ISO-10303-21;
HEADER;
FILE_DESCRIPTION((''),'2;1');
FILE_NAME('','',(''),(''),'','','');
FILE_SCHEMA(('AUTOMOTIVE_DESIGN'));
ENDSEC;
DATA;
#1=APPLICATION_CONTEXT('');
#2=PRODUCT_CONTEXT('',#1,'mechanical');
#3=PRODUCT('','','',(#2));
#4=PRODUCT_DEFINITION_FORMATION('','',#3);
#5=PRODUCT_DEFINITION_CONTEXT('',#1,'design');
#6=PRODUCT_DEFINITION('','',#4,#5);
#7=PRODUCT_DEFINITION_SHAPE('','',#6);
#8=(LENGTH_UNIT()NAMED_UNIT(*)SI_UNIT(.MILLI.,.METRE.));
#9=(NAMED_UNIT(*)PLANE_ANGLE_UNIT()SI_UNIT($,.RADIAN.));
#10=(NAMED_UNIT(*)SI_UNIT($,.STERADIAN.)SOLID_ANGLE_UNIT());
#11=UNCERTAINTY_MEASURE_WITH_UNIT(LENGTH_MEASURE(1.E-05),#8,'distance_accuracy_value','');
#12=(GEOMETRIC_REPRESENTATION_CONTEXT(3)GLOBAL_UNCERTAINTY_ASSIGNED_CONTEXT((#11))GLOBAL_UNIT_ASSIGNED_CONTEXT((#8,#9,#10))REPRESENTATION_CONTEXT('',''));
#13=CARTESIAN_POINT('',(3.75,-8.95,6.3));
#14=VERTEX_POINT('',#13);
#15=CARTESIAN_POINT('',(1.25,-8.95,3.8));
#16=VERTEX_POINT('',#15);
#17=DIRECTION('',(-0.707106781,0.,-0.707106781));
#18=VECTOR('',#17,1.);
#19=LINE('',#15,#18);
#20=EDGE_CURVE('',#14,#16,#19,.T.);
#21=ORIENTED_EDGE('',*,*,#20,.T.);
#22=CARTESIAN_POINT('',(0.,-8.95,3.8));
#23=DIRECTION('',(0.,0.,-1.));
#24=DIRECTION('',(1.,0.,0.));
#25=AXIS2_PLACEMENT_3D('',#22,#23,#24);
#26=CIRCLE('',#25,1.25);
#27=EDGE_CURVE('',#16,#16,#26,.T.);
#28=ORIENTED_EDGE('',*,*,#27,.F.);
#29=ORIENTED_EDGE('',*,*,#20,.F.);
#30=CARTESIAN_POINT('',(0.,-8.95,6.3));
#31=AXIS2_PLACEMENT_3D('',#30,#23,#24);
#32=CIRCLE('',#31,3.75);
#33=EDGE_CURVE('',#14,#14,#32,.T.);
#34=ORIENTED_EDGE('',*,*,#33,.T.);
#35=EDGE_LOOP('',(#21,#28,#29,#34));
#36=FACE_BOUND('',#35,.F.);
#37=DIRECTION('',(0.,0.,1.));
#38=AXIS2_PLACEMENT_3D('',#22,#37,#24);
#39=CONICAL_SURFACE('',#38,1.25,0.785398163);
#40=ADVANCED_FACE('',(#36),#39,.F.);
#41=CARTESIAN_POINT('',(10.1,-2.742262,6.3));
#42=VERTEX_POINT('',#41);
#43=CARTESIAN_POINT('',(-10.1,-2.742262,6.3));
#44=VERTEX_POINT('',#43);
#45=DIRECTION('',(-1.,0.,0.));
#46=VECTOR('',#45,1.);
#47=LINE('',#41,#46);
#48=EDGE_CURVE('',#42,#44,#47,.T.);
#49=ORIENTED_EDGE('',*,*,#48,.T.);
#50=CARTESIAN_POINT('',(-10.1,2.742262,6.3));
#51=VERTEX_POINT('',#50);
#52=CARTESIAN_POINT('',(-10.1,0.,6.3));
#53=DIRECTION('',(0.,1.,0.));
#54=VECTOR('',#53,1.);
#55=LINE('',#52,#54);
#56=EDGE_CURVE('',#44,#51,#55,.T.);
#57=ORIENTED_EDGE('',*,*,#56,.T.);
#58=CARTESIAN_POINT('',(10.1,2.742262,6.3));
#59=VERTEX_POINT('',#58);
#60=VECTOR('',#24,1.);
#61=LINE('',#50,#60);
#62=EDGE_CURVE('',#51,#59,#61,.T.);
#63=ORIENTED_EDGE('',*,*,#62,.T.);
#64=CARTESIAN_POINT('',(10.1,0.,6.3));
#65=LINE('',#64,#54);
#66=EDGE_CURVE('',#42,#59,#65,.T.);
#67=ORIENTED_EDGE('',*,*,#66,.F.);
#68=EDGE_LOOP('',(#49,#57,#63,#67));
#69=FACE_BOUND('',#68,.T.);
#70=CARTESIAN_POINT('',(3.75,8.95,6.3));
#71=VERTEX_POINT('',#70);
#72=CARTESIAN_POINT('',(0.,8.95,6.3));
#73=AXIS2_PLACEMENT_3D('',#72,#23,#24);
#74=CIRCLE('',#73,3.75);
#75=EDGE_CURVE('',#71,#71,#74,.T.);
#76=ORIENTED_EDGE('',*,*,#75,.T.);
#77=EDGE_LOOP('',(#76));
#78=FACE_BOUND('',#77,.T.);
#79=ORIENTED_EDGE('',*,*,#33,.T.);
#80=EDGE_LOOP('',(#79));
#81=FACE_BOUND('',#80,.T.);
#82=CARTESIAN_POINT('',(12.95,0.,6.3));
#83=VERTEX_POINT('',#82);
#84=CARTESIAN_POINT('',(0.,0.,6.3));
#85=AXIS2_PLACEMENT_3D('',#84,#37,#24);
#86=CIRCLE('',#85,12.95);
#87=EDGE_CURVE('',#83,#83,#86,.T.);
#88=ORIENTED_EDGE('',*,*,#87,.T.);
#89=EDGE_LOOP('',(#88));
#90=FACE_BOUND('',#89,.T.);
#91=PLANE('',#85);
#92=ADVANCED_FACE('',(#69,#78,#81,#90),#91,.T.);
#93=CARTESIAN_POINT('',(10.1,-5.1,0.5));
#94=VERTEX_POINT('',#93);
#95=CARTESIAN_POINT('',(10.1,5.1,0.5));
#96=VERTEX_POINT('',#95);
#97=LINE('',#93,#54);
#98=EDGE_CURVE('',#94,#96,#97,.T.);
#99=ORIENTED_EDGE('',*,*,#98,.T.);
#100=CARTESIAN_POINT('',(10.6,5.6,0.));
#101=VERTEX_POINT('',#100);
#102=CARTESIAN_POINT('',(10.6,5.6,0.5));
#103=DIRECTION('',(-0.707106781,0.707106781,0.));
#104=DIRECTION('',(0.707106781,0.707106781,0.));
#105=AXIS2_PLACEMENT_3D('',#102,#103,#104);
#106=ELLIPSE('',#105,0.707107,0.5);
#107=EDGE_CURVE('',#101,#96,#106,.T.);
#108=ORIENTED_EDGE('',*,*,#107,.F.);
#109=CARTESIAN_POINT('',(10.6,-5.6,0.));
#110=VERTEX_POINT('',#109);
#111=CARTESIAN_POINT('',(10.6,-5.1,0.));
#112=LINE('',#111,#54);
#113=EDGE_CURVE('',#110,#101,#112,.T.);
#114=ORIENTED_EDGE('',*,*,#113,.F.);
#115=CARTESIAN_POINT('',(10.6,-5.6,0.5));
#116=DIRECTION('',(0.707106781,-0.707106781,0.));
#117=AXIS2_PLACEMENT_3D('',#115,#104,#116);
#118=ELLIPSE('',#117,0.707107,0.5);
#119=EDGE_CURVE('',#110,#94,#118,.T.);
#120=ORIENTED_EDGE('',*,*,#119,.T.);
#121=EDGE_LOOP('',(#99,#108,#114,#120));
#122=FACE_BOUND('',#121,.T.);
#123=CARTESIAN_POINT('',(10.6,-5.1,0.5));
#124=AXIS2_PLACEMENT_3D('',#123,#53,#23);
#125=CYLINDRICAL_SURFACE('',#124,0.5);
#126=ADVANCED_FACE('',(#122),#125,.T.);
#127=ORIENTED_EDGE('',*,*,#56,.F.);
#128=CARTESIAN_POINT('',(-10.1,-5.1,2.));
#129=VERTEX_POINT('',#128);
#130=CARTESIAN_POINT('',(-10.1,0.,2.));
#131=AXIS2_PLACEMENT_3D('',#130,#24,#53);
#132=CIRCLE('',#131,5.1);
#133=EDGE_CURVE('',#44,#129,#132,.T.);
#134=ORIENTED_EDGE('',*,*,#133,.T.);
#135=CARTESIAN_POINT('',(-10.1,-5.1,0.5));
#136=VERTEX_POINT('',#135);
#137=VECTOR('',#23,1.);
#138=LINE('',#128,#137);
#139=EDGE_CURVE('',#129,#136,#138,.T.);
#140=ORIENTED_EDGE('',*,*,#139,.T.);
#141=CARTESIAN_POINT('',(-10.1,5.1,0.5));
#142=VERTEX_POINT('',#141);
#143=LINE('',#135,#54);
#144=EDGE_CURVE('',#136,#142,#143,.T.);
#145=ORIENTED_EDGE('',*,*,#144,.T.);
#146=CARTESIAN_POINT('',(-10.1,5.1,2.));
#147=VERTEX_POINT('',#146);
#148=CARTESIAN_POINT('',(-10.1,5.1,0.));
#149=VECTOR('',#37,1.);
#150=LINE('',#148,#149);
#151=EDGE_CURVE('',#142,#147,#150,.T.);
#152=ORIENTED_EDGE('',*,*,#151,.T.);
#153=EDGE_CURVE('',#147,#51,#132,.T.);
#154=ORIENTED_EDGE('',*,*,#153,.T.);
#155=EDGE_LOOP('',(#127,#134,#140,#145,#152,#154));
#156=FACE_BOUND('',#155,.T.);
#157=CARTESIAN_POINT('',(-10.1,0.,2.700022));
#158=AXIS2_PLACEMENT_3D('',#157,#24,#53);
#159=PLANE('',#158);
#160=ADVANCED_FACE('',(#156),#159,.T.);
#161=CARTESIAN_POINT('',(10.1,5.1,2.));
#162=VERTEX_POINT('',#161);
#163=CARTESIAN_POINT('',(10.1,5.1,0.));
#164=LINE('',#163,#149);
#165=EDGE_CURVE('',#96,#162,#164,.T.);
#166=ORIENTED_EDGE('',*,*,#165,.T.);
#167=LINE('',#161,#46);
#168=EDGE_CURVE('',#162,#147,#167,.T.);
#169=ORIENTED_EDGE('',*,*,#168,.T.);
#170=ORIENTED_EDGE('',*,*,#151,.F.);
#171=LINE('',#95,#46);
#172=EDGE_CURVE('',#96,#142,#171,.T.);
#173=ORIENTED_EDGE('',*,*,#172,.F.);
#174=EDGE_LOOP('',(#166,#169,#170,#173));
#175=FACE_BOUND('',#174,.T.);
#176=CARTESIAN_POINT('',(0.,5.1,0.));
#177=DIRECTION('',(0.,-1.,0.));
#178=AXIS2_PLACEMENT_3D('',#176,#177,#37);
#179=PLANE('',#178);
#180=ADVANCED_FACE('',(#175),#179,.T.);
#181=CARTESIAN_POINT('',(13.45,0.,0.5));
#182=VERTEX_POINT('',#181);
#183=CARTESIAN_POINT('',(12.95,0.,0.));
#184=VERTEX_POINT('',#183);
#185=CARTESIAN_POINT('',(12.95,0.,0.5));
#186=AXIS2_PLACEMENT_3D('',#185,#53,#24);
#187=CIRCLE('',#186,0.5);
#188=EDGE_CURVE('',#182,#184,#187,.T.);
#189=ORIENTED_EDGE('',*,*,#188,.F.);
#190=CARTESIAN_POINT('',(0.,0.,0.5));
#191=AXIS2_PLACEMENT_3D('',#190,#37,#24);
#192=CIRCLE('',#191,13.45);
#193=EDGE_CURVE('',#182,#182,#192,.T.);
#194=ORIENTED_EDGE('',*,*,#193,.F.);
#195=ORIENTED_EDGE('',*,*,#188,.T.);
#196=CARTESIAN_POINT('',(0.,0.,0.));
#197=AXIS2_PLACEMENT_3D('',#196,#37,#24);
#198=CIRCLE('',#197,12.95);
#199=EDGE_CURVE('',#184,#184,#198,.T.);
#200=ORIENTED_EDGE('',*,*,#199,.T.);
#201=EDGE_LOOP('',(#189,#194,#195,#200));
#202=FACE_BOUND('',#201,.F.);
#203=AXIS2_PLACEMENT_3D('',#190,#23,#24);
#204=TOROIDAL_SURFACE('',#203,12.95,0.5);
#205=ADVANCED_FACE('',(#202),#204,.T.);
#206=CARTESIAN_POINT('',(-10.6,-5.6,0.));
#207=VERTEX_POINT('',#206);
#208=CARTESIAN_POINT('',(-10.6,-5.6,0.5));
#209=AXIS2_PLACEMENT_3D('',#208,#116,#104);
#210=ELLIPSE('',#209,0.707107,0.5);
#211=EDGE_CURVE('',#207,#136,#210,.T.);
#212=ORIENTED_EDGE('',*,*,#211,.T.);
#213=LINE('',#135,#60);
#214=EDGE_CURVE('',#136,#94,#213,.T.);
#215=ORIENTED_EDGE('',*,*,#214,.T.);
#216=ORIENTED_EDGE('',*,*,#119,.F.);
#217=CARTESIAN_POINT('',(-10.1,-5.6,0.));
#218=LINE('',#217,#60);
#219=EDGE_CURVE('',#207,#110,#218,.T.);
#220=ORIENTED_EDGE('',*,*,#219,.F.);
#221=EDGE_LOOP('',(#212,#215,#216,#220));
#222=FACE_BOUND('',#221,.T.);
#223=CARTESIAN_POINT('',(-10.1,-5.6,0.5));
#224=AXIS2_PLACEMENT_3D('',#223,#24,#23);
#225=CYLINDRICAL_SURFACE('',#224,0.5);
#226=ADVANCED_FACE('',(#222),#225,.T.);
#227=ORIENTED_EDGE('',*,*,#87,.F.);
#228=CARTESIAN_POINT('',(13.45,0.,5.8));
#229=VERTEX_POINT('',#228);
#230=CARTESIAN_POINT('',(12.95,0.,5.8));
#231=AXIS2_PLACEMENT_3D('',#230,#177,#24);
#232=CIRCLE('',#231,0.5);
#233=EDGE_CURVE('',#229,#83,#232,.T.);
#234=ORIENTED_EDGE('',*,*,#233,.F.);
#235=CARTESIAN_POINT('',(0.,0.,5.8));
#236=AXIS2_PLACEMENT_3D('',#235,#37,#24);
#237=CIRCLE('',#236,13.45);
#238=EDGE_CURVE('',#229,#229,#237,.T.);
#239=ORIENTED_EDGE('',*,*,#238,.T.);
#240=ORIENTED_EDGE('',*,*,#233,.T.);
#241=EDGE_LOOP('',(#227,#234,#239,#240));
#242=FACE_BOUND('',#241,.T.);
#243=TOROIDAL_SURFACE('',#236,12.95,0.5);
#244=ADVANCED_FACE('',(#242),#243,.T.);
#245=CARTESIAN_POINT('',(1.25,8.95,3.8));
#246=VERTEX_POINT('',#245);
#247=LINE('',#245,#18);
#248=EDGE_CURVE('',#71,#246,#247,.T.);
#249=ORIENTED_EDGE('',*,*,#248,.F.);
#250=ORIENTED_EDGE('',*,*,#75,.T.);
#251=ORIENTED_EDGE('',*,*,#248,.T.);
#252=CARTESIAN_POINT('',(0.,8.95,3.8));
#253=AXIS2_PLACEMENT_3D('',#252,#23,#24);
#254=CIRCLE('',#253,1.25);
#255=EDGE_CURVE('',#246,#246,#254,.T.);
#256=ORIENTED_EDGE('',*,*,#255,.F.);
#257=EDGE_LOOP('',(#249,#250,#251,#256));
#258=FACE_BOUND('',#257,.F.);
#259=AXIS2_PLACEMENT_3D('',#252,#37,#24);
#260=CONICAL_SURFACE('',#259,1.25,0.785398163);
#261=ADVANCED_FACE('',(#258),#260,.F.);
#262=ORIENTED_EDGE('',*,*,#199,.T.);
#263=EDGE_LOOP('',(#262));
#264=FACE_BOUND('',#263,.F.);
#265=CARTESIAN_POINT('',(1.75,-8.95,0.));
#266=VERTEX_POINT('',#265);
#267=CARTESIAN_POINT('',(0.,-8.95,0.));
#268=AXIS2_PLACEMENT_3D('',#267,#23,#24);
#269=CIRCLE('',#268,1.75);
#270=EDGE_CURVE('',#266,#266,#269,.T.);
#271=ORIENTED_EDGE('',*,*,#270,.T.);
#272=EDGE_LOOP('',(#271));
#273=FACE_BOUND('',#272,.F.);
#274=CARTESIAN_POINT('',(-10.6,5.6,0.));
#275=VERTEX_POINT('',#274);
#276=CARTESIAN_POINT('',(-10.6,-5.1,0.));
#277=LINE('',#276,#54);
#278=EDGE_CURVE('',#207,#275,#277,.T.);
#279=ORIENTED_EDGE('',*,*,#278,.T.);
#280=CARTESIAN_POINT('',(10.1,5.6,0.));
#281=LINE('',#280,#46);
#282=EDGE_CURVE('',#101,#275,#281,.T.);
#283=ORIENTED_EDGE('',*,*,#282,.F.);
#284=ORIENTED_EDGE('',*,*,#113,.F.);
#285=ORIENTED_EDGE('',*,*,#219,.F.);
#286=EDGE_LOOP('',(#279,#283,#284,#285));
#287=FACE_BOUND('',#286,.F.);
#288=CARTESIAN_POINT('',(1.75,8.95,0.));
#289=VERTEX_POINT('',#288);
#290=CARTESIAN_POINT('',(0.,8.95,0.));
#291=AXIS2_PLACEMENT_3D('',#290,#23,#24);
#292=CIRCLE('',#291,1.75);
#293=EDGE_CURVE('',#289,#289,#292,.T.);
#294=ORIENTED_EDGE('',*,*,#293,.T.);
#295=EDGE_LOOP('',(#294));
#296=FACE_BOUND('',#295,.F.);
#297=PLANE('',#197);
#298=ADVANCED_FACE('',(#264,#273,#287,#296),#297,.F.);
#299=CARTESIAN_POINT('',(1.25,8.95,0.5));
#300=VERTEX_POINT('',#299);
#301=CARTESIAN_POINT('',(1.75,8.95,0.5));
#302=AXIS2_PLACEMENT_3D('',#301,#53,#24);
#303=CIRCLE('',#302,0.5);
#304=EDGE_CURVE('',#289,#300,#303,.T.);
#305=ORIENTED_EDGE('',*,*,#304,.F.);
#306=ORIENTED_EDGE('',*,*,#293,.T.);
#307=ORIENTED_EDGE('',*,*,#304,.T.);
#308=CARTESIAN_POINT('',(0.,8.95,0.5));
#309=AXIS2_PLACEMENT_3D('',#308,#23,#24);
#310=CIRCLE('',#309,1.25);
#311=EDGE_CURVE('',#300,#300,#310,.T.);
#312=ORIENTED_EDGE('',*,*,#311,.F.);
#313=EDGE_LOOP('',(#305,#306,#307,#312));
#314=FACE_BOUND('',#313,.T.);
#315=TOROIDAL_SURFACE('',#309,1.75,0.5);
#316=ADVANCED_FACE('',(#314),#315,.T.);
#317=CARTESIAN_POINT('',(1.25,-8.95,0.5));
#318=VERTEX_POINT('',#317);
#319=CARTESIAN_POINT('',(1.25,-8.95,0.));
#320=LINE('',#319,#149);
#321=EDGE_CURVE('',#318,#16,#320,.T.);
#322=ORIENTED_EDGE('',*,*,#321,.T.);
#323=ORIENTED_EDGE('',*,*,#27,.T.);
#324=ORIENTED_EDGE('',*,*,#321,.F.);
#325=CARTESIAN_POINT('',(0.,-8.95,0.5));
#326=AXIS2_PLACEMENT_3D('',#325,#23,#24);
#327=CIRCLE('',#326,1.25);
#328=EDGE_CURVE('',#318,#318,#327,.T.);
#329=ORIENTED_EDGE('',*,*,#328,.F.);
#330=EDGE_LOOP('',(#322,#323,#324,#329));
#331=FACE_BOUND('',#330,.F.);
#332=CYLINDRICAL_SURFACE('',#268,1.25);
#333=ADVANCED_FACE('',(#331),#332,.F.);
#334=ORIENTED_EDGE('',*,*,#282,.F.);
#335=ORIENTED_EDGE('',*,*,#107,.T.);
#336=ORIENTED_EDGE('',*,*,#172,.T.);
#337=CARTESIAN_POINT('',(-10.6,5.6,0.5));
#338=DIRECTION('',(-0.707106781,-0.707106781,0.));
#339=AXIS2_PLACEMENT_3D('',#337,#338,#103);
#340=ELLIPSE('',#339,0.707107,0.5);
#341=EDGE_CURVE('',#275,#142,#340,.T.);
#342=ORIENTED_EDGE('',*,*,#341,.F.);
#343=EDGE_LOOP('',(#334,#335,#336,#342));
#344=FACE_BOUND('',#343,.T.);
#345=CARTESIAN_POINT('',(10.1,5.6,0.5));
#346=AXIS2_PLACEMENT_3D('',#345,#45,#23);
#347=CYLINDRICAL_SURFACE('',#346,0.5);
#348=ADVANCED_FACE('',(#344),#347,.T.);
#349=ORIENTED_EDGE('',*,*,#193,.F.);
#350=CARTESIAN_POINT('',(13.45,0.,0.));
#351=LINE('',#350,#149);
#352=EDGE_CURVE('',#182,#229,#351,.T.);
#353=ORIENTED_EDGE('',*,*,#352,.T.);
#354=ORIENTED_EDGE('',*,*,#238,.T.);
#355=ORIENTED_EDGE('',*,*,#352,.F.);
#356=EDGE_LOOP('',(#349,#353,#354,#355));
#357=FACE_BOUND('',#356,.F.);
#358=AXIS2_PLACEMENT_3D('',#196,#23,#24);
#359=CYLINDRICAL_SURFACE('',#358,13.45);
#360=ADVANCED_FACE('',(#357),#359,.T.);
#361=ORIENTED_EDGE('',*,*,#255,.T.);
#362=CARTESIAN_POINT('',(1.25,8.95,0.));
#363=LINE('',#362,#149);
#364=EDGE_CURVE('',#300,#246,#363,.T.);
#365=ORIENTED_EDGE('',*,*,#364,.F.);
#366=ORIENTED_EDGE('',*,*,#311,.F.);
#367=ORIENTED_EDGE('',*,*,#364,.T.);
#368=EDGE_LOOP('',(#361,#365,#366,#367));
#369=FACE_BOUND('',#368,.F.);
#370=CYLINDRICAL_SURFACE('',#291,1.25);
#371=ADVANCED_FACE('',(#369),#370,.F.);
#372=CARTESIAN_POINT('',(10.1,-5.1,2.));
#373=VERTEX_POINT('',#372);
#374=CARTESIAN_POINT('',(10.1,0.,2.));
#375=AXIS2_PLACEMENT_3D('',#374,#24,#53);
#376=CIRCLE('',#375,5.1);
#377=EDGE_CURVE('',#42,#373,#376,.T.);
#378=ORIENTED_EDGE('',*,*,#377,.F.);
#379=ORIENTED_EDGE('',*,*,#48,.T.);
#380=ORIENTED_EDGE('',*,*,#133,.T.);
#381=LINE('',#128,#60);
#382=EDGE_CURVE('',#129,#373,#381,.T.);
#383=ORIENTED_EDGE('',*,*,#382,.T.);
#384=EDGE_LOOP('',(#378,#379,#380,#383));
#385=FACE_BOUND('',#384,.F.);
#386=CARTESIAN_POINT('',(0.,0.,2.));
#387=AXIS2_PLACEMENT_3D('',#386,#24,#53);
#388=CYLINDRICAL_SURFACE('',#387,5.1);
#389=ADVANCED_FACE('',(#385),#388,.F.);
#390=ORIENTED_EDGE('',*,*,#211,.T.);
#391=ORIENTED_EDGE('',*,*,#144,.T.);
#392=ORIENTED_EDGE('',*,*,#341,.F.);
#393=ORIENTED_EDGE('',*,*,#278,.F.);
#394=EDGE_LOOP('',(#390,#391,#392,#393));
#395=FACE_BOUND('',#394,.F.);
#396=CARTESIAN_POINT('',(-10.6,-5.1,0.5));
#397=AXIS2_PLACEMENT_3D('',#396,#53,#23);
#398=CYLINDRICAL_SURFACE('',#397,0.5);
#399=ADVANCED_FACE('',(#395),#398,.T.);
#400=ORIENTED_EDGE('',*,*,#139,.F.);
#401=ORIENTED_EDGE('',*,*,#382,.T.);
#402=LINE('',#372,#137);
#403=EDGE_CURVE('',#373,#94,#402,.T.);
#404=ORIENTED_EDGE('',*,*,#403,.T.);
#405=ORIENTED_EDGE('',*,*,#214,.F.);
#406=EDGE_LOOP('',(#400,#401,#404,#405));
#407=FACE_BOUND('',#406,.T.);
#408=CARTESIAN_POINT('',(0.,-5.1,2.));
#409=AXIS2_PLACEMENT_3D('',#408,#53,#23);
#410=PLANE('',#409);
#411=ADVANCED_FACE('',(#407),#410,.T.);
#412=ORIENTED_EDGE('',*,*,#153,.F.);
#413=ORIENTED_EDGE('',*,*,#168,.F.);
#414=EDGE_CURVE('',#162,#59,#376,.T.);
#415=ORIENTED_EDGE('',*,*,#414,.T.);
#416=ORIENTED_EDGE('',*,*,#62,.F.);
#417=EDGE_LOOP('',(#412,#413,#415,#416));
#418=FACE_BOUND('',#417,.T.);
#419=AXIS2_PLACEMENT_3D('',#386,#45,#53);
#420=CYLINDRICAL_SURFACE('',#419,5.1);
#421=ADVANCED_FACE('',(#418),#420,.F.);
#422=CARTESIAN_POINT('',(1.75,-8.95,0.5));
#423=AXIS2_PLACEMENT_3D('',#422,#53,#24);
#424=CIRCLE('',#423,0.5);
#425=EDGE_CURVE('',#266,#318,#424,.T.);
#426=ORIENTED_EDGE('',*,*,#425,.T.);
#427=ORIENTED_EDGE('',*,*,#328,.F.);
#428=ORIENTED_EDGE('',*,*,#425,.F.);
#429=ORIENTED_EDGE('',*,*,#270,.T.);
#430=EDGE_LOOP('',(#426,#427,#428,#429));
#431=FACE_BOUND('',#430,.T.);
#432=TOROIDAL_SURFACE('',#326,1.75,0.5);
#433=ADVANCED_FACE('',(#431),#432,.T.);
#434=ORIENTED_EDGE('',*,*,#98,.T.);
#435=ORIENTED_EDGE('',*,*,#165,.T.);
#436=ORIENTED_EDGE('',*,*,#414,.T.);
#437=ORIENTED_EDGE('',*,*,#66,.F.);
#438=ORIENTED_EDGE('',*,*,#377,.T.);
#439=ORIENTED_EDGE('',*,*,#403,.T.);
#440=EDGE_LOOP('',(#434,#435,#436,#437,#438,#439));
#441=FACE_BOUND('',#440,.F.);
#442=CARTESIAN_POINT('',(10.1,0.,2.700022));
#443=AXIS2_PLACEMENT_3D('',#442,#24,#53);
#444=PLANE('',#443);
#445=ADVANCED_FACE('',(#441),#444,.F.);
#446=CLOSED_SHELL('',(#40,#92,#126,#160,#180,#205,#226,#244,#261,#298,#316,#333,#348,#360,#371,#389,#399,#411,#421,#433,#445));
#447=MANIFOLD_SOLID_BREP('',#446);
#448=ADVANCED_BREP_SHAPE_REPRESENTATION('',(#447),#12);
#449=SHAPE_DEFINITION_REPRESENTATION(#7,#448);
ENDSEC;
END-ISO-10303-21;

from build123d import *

# Parameters (mm, degrees)
F0_R          = 13.45
F1_DEPTH      = 6.3
F3_DEPTH      = 10.1
F3_DEPTH_BACK = 10.1
F4_R          = 1.25
F5_DEPTH      = 10
F6_R          = 0.5
F7_SIZE       = 2.5


with BuildPart() as f1:
    # F0 (on Top) → F1 (new body)
    with BuildSketch(Plane.XY):
        Circle(F0_R)
    extrude(amount=F1_DEPTH)

    # F2 (on Right) → F3 (cut, two sides)
    with BuildSketch(Plane.YZ) as f3_sk:
        with BuildLine():
            Line((5.1, 0), (5.1, 2))
            ThreePointArc((5.1, 2), (0, 7.1), (-5.1, 2))
            Line((-5.1, 2), (-5.1, 0))
            Line((-5.1, 0), (5.1, 0))
        make_face()
    extrude(amount=F3_DEPTH, mode=Mode.SUBTRACT)
    extrude(f3_sk.sketch, amount=-F3_DEPTH_BACK, mode=Mode.SUBTRACT)

    # F4 (on face) → F5 (cut)
    with BuildSketch(Plane(origin=(0, 0, 0), x_dir=(1, 0, 0), z_dir=(0, 0, -1))):
        with Locations((0, 8.95)):
            Circle(F4_R)
        with Locations((0, -8.95)):
            Circle(F4_R)
    extrude(amount=-F5_DEPTH, mode=Mode.SUBTRACT)

    # F6
    f6_edges = [f1.edges().sort_by_distance(p)[0] for p in [
        (-13.45, 0, 0),
        (-1.25, -8.95, 0),
        (0, -5.1, 0),
        (-10.1, 0, 0),
        (10.1, 0, 0),
        (0, 5.1, 0),
        (-1.25, 8.95, 0),
        (-13.45, 0, 6.3),
    ]]
    fillet(f6_edges, radius=F6_R)

    # F7
    f7_edges = [f1.edges().sort_by_distance(p)[0] for p in [
        (-1.25, -8.95, 6.3),
        (-1.25, 8.95, 6.3),
    ]]
    chamfer(f7_edges, length=F7_SIZE)


solid = f1.part
